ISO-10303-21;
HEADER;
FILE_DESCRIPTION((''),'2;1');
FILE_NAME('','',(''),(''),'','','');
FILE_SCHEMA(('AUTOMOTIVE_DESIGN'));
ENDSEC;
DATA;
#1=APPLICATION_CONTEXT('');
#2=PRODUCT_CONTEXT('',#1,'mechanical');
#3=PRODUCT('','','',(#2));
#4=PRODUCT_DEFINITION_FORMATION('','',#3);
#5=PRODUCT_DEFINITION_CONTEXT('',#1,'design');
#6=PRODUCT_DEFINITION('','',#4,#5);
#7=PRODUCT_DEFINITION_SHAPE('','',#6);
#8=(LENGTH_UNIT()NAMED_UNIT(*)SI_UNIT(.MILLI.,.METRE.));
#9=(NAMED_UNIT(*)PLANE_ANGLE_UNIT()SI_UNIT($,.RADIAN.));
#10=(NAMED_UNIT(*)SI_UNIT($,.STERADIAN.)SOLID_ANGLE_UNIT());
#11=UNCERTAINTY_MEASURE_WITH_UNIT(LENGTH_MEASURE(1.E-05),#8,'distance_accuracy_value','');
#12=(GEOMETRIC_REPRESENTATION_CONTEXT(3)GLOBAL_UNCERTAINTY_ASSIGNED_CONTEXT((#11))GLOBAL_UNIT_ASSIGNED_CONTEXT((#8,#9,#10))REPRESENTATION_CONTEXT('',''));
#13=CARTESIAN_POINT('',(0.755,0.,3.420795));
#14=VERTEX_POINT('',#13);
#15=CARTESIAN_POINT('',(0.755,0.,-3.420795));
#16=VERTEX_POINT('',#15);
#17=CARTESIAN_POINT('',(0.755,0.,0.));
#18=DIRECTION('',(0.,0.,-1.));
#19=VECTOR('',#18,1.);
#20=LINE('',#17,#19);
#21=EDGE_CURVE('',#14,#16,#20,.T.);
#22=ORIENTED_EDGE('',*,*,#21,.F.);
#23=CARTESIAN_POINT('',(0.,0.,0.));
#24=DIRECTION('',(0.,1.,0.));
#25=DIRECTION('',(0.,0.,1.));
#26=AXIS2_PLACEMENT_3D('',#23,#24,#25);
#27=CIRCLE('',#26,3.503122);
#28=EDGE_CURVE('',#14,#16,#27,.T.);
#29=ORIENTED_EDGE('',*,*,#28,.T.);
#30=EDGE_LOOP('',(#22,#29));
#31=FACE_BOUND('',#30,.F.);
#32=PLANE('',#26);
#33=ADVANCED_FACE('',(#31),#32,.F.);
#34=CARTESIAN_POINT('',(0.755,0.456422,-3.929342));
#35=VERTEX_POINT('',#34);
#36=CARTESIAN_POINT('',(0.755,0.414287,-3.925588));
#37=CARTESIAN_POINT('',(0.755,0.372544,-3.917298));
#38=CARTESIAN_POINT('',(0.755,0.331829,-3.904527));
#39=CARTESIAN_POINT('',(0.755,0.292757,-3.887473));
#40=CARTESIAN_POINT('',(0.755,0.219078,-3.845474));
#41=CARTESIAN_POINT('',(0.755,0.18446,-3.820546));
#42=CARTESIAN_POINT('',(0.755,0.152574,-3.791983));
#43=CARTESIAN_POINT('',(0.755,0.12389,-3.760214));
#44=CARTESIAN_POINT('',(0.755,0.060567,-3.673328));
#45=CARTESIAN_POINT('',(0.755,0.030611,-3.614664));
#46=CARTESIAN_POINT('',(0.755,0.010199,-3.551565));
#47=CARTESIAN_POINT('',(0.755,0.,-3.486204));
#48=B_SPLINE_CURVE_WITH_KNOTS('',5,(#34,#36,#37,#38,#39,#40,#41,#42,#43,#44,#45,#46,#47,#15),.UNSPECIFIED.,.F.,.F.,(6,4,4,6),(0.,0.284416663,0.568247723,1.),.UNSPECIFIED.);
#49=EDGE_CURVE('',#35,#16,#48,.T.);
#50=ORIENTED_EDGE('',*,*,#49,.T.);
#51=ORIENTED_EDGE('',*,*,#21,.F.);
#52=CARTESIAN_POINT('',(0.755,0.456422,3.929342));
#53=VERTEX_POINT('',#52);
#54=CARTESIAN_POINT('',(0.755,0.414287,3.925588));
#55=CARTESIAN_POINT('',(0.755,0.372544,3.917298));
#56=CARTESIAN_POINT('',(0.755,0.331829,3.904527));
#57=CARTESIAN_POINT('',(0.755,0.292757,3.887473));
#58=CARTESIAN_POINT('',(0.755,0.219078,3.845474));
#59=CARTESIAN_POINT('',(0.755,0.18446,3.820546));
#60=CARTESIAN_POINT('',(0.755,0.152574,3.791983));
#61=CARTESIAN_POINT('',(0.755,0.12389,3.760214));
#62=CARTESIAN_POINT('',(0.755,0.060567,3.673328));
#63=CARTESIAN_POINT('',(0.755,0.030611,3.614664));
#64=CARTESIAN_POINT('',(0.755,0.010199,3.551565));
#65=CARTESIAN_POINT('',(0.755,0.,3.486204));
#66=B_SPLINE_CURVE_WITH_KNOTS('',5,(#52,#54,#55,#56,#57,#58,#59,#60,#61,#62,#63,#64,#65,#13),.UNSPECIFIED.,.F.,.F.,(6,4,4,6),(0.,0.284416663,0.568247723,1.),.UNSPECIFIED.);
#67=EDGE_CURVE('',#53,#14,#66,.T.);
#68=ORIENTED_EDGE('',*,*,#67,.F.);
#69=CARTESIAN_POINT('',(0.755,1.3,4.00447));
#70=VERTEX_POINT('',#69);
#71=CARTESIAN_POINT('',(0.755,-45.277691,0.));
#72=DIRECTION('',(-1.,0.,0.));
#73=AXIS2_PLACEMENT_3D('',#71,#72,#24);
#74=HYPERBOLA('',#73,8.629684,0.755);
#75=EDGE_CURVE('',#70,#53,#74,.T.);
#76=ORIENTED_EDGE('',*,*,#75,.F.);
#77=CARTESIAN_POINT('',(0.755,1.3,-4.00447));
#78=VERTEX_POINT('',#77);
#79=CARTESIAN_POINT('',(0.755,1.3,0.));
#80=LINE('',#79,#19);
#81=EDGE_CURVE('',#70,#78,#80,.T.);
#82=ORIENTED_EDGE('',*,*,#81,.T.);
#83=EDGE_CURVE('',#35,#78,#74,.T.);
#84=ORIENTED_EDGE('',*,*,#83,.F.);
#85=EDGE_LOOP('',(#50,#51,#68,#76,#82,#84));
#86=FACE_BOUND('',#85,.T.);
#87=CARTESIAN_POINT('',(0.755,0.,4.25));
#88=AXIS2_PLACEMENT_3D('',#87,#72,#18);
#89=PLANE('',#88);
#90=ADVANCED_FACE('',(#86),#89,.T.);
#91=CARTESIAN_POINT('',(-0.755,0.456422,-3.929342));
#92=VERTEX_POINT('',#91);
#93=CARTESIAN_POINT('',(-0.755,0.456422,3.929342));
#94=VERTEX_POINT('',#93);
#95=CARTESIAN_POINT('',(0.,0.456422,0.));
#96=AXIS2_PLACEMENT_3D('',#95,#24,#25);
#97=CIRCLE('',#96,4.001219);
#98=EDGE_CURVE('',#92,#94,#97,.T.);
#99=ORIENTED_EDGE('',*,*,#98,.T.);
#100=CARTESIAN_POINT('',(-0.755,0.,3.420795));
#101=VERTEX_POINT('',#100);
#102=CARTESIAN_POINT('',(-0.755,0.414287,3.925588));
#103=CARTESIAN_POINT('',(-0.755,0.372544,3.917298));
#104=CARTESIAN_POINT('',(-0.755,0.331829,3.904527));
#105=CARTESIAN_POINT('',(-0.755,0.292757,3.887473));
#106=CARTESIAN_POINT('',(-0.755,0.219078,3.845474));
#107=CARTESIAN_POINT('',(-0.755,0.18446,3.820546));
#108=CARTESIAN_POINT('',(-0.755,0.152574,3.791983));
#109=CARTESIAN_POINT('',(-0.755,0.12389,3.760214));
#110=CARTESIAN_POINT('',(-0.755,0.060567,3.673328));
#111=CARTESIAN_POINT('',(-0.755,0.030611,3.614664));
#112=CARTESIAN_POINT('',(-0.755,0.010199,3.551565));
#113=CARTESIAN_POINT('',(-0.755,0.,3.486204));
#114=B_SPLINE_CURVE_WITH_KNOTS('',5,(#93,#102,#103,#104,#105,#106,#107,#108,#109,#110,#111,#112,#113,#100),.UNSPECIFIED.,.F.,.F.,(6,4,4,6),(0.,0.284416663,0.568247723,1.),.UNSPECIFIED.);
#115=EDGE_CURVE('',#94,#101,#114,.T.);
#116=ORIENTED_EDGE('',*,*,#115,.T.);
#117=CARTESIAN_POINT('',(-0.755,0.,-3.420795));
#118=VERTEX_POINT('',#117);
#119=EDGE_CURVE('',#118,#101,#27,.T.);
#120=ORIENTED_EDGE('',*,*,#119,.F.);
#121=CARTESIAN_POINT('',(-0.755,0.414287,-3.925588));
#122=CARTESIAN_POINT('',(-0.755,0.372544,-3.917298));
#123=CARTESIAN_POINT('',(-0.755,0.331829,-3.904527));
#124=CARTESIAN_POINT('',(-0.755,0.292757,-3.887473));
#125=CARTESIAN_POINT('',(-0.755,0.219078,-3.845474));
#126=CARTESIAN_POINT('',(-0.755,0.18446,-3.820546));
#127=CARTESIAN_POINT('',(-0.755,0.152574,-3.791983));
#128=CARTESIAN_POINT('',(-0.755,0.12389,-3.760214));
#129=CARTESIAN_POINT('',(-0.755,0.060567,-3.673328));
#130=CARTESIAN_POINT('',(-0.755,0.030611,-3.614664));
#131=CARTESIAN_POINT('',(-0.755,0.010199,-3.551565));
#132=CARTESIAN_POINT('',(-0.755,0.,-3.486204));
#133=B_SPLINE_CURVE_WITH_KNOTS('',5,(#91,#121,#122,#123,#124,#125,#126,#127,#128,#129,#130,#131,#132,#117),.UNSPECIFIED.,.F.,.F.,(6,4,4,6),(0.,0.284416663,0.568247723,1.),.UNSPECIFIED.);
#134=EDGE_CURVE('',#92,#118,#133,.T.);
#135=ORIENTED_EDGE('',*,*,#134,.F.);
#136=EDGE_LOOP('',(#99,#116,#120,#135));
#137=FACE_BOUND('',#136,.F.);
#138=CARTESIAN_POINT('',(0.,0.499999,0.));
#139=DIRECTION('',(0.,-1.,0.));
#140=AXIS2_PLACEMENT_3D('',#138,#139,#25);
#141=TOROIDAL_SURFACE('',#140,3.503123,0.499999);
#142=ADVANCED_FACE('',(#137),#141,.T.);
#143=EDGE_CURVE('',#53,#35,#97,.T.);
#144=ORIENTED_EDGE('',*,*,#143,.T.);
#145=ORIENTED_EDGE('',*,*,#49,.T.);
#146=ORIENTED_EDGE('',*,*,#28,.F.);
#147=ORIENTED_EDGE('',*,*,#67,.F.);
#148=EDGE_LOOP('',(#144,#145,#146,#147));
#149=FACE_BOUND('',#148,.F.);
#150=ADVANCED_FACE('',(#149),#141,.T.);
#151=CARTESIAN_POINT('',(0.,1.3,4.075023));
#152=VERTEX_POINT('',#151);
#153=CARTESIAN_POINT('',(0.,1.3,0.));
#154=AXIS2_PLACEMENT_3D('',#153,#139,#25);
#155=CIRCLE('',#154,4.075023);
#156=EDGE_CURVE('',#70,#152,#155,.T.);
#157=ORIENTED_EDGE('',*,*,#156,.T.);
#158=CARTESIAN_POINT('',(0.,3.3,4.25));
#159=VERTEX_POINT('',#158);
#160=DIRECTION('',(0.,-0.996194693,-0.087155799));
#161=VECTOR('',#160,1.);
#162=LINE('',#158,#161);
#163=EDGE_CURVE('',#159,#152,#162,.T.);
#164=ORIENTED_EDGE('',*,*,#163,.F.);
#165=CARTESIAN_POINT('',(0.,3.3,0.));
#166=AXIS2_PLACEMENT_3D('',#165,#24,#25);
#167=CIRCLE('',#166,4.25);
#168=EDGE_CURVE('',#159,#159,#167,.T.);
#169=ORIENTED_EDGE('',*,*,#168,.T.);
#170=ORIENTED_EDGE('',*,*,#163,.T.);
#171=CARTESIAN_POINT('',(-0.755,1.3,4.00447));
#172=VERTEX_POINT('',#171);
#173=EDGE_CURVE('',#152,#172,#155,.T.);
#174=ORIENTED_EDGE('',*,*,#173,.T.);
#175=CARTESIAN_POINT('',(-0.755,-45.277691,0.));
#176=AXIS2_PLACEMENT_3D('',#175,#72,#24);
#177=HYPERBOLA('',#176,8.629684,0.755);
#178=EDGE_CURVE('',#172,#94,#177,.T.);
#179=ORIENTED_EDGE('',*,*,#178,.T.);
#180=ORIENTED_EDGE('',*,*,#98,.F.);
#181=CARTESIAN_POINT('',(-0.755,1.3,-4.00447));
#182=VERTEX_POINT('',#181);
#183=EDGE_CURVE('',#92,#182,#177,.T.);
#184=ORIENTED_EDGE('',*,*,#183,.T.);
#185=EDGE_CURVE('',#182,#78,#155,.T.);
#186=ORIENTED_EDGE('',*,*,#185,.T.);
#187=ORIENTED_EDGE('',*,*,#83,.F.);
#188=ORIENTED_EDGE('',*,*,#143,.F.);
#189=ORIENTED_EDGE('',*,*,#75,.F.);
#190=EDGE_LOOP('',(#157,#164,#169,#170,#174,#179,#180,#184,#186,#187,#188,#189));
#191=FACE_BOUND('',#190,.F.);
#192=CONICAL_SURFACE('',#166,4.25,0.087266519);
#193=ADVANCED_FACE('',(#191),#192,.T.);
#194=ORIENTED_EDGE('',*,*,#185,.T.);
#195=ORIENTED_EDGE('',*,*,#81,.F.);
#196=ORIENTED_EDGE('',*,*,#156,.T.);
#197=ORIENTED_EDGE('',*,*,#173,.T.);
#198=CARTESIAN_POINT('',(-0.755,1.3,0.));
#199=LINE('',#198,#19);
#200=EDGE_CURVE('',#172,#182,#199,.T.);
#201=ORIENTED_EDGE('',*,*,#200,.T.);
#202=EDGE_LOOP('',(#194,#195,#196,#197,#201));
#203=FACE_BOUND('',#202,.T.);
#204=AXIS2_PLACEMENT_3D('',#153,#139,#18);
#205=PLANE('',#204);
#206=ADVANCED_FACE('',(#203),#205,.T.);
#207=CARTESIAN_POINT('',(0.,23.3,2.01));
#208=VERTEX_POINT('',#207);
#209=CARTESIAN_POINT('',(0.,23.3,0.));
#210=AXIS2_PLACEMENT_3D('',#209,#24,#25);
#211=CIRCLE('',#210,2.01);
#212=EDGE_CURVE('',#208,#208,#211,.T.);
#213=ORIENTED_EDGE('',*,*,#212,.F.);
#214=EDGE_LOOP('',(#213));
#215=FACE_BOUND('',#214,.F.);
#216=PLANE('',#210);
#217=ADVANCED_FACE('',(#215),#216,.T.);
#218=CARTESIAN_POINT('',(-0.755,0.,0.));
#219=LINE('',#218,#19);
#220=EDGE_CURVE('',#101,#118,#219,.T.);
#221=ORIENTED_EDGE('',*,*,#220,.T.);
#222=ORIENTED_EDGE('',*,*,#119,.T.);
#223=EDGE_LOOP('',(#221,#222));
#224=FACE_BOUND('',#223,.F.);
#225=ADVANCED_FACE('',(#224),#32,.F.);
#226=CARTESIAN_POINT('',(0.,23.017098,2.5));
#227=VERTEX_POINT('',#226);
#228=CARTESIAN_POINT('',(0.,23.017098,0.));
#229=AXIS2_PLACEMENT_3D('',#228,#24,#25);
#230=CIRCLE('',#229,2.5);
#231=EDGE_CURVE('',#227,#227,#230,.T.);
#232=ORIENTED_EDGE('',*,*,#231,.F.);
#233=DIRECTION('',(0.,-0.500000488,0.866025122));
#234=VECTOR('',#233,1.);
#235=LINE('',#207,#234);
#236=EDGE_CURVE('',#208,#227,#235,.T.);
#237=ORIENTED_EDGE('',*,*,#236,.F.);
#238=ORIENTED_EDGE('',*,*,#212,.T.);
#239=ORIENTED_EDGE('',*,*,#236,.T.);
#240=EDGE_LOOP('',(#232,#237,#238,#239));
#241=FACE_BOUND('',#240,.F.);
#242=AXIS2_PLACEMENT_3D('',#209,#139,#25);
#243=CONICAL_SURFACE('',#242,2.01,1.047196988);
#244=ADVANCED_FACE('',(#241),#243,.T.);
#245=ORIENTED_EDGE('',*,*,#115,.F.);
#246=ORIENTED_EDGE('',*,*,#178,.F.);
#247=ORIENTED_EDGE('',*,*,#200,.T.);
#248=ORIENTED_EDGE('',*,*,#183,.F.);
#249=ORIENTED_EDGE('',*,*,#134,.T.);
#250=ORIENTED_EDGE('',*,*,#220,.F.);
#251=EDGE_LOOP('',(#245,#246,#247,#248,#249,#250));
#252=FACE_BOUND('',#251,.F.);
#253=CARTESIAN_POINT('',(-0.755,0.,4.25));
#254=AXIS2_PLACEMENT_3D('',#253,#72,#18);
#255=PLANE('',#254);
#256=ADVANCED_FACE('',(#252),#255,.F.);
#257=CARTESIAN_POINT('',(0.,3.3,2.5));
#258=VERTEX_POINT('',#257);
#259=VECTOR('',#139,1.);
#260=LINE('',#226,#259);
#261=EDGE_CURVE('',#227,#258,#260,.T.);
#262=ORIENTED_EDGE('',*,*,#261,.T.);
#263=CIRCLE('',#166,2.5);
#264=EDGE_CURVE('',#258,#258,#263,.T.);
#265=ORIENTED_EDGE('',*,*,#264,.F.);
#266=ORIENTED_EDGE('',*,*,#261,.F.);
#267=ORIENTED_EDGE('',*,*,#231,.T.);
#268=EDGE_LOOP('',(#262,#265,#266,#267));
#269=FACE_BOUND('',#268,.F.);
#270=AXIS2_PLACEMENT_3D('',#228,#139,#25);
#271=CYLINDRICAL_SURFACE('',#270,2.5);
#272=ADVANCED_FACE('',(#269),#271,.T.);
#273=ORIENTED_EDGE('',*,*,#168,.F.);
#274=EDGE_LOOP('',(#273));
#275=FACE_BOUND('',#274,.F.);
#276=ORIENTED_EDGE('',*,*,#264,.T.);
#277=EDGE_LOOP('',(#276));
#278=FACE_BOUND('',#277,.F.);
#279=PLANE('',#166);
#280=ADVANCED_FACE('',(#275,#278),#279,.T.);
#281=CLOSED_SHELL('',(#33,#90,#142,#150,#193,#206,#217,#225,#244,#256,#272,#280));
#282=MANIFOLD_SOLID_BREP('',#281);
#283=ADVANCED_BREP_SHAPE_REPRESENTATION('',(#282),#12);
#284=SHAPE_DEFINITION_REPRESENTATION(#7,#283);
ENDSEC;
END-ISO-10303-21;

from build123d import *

# Parameters (mm, degrees)
SKETCH001_W  = 8.5
SKETCH001_H  = 1.51
POCKET_DEPTH = 1.3


with BuildPart() as part:
    # Sketch → Revolution (revolve)
    with BuildSketch(Plane.YZ):
        with BuildLine():
            Line((0, 3.503122), (0, 0))
            Line((0, 0), (23.3, 0))
            Line((23.3, 0), (23.3, 2.01))
            Line((23.3, 2.01), (23.017098, 2.5))
            Line((23.017098, 2.5), (3.3, 2.5))
            Line((3.3, 2.5), (3.3, 4.25))
            Line((3.3, 4.25), (0.456422, 4.001219))
            ThreePointArc((0.456422, 4.001219), (0.131361, 3.840917), (0, 3.503122))
        make_face()
    revolve(axis=Axis((0, 0, 0), (0, 1, 0)))

    # Sketch001 → Pocket (cut)
    with BuildSketch(Plane(origin=(0, 0, 0), x_dir=(0, 0, -1), z_dir=(0, -1, 0))):
        Rectangle(SKETCH001_W, SKETCH001_H)
    extrude(amount=-POCKET_DEPTH, mode=Mode.SUBTRACT)


solid = part.part
